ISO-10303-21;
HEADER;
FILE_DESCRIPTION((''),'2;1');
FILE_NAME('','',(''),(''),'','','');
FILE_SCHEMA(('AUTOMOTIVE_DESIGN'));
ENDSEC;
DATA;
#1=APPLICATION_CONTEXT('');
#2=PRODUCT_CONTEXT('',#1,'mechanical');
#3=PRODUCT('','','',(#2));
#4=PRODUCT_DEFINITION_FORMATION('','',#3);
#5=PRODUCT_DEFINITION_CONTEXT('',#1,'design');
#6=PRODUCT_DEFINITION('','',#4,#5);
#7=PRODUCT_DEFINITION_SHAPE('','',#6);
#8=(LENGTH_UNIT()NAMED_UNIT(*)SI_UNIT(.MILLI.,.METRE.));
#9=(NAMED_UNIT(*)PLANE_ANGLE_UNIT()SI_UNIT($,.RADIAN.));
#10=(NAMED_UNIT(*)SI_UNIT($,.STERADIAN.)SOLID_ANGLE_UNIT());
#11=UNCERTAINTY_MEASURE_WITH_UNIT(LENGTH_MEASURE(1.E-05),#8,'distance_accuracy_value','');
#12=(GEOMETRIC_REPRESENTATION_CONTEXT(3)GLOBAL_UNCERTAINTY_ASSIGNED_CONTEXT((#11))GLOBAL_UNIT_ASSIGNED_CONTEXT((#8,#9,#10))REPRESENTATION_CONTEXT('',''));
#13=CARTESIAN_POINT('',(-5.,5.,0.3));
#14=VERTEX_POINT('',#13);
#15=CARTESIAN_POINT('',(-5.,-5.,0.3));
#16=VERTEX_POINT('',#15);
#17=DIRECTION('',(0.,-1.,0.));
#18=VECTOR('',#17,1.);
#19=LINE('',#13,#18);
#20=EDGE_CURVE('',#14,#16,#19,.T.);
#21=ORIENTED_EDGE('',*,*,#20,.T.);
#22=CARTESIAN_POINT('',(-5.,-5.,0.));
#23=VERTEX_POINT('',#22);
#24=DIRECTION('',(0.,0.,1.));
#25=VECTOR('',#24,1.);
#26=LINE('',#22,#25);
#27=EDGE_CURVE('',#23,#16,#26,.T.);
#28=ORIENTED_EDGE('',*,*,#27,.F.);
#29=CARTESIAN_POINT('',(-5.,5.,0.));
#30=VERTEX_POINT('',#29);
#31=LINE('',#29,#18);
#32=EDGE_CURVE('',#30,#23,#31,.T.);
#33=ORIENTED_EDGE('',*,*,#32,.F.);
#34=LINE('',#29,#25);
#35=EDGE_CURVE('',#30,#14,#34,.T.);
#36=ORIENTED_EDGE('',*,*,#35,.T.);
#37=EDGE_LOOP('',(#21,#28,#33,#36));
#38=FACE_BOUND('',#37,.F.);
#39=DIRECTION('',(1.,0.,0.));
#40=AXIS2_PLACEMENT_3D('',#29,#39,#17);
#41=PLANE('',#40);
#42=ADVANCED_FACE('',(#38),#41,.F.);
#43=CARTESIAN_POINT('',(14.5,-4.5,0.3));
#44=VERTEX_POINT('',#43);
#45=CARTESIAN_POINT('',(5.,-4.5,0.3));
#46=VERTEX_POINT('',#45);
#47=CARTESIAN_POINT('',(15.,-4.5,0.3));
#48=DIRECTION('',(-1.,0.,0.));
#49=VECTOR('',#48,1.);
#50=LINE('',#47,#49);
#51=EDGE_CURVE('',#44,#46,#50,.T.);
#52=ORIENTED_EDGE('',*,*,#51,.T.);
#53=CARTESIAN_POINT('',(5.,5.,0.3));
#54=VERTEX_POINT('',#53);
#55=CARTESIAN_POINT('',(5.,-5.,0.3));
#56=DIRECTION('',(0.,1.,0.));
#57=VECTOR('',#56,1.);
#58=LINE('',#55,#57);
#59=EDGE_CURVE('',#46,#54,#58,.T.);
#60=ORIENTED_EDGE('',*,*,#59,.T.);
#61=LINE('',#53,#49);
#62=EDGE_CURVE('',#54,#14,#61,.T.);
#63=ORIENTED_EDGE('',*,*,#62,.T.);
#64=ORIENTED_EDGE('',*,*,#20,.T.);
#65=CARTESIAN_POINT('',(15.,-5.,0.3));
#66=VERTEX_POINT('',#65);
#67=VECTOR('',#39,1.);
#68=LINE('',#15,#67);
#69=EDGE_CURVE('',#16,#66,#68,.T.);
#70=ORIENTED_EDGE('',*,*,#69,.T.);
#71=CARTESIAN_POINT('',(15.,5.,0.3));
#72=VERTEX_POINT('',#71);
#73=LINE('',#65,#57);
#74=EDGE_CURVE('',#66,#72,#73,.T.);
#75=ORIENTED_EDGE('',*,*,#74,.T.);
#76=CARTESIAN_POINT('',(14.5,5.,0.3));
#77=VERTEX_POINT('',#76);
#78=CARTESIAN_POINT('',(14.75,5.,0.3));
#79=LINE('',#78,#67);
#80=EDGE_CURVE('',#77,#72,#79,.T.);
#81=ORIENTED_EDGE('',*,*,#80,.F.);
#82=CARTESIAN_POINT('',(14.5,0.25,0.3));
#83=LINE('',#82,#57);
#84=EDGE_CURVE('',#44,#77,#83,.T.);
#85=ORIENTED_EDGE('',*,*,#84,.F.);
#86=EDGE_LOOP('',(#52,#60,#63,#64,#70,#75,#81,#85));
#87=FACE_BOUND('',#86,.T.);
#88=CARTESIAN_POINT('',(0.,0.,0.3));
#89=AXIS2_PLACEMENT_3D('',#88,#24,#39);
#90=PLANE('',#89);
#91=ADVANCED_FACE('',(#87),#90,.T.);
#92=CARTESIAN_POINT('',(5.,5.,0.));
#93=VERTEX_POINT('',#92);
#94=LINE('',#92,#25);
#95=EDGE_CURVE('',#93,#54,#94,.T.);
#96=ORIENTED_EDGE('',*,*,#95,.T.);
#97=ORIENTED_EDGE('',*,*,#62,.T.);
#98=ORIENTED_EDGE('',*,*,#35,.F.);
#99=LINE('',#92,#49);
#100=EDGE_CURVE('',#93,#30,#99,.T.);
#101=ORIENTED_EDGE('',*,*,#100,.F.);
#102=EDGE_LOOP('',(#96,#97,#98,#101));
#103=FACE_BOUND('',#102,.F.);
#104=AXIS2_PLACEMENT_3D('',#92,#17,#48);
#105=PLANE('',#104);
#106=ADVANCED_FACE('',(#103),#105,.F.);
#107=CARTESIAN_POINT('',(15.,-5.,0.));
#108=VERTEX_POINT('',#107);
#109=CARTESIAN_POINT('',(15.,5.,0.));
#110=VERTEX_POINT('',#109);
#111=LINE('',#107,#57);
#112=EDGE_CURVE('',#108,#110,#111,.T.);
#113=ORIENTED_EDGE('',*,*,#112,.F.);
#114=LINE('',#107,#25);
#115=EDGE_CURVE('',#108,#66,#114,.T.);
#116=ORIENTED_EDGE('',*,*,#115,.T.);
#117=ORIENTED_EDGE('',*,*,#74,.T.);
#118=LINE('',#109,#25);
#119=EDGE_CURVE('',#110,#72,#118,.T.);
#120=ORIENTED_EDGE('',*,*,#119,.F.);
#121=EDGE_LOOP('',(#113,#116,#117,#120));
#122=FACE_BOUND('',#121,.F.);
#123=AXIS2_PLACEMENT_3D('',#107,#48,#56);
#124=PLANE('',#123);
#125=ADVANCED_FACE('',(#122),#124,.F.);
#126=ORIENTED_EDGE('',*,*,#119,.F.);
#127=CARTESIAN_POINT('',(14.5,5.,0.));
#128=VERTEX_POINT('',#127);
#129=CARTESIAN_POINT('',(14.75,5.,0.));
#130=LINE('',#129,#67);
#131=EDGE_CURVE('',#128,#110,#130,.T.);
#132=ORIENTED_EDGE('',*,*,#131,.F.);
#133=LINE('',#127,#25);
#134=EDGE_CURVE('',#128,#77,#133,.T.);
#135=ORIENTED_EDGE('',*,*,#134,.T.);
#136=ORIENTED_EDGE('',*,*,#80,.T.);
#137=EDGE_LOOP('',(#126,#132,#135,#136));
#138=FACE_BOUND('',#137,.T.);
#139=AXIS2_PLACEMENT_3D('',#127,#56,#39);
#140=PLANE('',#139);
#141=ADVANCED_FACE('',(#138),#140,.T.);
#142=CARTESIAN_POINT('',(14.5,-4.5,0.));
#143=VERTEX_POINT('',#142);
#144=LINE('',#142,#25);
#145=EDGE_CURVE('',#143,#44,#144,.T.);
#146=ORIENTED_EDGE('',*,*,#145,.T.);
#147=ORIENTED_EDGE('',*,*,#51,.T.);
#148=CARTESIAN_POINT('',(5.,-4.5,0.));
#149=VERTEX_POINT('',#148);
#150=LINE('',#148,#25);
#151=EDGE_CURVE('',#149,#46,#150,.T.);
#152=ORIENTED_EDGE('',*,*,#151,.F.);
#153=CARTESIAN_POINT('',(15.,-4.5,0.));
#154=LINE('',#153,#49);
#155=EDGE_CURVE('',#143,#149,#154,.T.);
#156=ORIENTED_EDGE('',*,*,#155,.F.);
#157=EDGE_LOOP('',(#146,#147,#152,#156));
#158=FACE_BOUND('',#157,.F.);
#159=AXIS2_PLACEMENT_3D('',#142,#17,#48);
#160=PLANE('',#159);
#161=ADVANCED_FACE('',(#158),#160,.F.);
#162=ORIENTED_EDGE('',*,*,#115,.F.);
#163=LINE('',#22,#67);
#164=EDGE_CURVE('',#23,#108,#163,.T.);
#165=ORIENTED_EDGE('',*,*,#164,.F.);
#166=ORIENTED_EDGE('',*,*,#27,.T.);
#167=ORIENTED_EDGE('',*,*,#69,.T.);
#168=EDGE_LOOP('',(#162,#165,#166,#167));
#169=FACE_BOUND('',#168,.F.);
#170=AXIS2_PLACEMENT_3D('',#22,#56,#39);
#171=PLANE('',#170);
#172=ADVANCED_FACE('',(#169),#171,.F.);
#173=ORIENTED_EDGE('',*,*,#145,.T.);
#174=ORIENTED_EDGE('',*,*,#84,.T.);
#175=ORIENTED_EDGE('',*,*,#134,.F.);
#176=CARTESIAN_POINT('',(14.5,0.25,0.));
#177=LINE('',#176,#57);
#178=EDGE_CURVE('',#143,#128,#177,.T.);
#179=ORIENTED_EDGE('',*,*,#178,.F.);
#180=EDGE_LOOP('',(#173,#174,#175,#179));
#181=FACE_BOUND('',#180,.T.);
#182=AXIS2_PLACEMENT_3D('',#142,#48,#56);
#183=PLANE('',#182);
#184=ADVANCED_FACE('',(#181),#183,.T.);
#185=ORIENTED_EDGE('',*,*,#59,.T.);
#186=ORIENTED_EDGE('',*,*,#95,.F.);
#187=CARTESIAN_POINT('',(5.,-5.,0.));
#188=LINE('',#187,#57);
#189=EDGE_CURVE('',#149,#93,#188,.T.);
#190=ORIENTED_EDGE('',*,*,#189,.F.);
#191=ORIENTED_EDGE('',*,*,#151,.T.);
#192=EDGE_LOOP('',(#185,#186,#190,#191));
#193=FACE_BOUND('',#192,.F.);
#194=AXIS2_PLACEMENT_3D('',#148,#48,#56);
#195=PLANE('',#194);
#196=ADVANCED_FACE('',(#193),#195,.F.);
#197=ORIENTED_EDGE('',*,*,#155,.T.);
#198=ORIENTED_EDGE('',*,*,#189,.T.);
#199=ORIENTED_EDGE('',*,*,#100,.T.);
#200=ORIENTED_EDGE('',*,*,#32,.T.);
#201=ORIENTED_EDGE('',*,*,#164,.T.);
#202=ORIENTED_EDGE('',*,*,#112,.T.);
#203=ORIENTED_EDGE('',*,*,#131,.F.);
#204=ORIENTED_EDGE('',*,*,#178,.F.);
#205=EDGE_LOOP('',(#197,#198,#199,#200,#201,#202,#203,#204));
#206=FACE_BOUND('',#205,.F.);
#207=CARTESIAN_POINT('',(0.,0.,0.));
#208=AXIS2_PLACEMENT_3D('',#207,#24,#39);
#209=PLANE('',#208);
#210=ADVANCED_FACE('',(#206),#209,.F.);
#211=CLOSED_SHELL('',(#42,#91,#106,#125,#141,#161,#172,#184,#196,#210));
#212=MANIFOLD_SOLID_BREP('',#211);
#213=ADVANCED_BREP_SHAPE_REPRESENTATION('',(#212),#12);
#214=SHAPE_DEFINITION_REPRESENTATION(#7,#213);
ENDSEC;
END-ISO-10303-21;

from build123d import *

# Parameters (mm, degrees)
F0_W     = 0.5
F0_H     = 9.5
F1_DEPTH = 0.3


with BuildPart() as f1:
    # F0 (on Top) → F1 (new body)
    with BuildSketch(Plane.XY):
        Polygon((5, 5), (-5, 5), (-5, -5), (5, -5), (5, -4.5), align=None)
        Polygon((14.5, -4.5), (5, -4.5), (5, -5), (15, -5), (15, -4.5), align=None)
        with Locations((14.75, 0.25)):
            Rectangle(F0_W, F0_H)
    extrude(amount=F1_DEPTH)


solid = f1.part
